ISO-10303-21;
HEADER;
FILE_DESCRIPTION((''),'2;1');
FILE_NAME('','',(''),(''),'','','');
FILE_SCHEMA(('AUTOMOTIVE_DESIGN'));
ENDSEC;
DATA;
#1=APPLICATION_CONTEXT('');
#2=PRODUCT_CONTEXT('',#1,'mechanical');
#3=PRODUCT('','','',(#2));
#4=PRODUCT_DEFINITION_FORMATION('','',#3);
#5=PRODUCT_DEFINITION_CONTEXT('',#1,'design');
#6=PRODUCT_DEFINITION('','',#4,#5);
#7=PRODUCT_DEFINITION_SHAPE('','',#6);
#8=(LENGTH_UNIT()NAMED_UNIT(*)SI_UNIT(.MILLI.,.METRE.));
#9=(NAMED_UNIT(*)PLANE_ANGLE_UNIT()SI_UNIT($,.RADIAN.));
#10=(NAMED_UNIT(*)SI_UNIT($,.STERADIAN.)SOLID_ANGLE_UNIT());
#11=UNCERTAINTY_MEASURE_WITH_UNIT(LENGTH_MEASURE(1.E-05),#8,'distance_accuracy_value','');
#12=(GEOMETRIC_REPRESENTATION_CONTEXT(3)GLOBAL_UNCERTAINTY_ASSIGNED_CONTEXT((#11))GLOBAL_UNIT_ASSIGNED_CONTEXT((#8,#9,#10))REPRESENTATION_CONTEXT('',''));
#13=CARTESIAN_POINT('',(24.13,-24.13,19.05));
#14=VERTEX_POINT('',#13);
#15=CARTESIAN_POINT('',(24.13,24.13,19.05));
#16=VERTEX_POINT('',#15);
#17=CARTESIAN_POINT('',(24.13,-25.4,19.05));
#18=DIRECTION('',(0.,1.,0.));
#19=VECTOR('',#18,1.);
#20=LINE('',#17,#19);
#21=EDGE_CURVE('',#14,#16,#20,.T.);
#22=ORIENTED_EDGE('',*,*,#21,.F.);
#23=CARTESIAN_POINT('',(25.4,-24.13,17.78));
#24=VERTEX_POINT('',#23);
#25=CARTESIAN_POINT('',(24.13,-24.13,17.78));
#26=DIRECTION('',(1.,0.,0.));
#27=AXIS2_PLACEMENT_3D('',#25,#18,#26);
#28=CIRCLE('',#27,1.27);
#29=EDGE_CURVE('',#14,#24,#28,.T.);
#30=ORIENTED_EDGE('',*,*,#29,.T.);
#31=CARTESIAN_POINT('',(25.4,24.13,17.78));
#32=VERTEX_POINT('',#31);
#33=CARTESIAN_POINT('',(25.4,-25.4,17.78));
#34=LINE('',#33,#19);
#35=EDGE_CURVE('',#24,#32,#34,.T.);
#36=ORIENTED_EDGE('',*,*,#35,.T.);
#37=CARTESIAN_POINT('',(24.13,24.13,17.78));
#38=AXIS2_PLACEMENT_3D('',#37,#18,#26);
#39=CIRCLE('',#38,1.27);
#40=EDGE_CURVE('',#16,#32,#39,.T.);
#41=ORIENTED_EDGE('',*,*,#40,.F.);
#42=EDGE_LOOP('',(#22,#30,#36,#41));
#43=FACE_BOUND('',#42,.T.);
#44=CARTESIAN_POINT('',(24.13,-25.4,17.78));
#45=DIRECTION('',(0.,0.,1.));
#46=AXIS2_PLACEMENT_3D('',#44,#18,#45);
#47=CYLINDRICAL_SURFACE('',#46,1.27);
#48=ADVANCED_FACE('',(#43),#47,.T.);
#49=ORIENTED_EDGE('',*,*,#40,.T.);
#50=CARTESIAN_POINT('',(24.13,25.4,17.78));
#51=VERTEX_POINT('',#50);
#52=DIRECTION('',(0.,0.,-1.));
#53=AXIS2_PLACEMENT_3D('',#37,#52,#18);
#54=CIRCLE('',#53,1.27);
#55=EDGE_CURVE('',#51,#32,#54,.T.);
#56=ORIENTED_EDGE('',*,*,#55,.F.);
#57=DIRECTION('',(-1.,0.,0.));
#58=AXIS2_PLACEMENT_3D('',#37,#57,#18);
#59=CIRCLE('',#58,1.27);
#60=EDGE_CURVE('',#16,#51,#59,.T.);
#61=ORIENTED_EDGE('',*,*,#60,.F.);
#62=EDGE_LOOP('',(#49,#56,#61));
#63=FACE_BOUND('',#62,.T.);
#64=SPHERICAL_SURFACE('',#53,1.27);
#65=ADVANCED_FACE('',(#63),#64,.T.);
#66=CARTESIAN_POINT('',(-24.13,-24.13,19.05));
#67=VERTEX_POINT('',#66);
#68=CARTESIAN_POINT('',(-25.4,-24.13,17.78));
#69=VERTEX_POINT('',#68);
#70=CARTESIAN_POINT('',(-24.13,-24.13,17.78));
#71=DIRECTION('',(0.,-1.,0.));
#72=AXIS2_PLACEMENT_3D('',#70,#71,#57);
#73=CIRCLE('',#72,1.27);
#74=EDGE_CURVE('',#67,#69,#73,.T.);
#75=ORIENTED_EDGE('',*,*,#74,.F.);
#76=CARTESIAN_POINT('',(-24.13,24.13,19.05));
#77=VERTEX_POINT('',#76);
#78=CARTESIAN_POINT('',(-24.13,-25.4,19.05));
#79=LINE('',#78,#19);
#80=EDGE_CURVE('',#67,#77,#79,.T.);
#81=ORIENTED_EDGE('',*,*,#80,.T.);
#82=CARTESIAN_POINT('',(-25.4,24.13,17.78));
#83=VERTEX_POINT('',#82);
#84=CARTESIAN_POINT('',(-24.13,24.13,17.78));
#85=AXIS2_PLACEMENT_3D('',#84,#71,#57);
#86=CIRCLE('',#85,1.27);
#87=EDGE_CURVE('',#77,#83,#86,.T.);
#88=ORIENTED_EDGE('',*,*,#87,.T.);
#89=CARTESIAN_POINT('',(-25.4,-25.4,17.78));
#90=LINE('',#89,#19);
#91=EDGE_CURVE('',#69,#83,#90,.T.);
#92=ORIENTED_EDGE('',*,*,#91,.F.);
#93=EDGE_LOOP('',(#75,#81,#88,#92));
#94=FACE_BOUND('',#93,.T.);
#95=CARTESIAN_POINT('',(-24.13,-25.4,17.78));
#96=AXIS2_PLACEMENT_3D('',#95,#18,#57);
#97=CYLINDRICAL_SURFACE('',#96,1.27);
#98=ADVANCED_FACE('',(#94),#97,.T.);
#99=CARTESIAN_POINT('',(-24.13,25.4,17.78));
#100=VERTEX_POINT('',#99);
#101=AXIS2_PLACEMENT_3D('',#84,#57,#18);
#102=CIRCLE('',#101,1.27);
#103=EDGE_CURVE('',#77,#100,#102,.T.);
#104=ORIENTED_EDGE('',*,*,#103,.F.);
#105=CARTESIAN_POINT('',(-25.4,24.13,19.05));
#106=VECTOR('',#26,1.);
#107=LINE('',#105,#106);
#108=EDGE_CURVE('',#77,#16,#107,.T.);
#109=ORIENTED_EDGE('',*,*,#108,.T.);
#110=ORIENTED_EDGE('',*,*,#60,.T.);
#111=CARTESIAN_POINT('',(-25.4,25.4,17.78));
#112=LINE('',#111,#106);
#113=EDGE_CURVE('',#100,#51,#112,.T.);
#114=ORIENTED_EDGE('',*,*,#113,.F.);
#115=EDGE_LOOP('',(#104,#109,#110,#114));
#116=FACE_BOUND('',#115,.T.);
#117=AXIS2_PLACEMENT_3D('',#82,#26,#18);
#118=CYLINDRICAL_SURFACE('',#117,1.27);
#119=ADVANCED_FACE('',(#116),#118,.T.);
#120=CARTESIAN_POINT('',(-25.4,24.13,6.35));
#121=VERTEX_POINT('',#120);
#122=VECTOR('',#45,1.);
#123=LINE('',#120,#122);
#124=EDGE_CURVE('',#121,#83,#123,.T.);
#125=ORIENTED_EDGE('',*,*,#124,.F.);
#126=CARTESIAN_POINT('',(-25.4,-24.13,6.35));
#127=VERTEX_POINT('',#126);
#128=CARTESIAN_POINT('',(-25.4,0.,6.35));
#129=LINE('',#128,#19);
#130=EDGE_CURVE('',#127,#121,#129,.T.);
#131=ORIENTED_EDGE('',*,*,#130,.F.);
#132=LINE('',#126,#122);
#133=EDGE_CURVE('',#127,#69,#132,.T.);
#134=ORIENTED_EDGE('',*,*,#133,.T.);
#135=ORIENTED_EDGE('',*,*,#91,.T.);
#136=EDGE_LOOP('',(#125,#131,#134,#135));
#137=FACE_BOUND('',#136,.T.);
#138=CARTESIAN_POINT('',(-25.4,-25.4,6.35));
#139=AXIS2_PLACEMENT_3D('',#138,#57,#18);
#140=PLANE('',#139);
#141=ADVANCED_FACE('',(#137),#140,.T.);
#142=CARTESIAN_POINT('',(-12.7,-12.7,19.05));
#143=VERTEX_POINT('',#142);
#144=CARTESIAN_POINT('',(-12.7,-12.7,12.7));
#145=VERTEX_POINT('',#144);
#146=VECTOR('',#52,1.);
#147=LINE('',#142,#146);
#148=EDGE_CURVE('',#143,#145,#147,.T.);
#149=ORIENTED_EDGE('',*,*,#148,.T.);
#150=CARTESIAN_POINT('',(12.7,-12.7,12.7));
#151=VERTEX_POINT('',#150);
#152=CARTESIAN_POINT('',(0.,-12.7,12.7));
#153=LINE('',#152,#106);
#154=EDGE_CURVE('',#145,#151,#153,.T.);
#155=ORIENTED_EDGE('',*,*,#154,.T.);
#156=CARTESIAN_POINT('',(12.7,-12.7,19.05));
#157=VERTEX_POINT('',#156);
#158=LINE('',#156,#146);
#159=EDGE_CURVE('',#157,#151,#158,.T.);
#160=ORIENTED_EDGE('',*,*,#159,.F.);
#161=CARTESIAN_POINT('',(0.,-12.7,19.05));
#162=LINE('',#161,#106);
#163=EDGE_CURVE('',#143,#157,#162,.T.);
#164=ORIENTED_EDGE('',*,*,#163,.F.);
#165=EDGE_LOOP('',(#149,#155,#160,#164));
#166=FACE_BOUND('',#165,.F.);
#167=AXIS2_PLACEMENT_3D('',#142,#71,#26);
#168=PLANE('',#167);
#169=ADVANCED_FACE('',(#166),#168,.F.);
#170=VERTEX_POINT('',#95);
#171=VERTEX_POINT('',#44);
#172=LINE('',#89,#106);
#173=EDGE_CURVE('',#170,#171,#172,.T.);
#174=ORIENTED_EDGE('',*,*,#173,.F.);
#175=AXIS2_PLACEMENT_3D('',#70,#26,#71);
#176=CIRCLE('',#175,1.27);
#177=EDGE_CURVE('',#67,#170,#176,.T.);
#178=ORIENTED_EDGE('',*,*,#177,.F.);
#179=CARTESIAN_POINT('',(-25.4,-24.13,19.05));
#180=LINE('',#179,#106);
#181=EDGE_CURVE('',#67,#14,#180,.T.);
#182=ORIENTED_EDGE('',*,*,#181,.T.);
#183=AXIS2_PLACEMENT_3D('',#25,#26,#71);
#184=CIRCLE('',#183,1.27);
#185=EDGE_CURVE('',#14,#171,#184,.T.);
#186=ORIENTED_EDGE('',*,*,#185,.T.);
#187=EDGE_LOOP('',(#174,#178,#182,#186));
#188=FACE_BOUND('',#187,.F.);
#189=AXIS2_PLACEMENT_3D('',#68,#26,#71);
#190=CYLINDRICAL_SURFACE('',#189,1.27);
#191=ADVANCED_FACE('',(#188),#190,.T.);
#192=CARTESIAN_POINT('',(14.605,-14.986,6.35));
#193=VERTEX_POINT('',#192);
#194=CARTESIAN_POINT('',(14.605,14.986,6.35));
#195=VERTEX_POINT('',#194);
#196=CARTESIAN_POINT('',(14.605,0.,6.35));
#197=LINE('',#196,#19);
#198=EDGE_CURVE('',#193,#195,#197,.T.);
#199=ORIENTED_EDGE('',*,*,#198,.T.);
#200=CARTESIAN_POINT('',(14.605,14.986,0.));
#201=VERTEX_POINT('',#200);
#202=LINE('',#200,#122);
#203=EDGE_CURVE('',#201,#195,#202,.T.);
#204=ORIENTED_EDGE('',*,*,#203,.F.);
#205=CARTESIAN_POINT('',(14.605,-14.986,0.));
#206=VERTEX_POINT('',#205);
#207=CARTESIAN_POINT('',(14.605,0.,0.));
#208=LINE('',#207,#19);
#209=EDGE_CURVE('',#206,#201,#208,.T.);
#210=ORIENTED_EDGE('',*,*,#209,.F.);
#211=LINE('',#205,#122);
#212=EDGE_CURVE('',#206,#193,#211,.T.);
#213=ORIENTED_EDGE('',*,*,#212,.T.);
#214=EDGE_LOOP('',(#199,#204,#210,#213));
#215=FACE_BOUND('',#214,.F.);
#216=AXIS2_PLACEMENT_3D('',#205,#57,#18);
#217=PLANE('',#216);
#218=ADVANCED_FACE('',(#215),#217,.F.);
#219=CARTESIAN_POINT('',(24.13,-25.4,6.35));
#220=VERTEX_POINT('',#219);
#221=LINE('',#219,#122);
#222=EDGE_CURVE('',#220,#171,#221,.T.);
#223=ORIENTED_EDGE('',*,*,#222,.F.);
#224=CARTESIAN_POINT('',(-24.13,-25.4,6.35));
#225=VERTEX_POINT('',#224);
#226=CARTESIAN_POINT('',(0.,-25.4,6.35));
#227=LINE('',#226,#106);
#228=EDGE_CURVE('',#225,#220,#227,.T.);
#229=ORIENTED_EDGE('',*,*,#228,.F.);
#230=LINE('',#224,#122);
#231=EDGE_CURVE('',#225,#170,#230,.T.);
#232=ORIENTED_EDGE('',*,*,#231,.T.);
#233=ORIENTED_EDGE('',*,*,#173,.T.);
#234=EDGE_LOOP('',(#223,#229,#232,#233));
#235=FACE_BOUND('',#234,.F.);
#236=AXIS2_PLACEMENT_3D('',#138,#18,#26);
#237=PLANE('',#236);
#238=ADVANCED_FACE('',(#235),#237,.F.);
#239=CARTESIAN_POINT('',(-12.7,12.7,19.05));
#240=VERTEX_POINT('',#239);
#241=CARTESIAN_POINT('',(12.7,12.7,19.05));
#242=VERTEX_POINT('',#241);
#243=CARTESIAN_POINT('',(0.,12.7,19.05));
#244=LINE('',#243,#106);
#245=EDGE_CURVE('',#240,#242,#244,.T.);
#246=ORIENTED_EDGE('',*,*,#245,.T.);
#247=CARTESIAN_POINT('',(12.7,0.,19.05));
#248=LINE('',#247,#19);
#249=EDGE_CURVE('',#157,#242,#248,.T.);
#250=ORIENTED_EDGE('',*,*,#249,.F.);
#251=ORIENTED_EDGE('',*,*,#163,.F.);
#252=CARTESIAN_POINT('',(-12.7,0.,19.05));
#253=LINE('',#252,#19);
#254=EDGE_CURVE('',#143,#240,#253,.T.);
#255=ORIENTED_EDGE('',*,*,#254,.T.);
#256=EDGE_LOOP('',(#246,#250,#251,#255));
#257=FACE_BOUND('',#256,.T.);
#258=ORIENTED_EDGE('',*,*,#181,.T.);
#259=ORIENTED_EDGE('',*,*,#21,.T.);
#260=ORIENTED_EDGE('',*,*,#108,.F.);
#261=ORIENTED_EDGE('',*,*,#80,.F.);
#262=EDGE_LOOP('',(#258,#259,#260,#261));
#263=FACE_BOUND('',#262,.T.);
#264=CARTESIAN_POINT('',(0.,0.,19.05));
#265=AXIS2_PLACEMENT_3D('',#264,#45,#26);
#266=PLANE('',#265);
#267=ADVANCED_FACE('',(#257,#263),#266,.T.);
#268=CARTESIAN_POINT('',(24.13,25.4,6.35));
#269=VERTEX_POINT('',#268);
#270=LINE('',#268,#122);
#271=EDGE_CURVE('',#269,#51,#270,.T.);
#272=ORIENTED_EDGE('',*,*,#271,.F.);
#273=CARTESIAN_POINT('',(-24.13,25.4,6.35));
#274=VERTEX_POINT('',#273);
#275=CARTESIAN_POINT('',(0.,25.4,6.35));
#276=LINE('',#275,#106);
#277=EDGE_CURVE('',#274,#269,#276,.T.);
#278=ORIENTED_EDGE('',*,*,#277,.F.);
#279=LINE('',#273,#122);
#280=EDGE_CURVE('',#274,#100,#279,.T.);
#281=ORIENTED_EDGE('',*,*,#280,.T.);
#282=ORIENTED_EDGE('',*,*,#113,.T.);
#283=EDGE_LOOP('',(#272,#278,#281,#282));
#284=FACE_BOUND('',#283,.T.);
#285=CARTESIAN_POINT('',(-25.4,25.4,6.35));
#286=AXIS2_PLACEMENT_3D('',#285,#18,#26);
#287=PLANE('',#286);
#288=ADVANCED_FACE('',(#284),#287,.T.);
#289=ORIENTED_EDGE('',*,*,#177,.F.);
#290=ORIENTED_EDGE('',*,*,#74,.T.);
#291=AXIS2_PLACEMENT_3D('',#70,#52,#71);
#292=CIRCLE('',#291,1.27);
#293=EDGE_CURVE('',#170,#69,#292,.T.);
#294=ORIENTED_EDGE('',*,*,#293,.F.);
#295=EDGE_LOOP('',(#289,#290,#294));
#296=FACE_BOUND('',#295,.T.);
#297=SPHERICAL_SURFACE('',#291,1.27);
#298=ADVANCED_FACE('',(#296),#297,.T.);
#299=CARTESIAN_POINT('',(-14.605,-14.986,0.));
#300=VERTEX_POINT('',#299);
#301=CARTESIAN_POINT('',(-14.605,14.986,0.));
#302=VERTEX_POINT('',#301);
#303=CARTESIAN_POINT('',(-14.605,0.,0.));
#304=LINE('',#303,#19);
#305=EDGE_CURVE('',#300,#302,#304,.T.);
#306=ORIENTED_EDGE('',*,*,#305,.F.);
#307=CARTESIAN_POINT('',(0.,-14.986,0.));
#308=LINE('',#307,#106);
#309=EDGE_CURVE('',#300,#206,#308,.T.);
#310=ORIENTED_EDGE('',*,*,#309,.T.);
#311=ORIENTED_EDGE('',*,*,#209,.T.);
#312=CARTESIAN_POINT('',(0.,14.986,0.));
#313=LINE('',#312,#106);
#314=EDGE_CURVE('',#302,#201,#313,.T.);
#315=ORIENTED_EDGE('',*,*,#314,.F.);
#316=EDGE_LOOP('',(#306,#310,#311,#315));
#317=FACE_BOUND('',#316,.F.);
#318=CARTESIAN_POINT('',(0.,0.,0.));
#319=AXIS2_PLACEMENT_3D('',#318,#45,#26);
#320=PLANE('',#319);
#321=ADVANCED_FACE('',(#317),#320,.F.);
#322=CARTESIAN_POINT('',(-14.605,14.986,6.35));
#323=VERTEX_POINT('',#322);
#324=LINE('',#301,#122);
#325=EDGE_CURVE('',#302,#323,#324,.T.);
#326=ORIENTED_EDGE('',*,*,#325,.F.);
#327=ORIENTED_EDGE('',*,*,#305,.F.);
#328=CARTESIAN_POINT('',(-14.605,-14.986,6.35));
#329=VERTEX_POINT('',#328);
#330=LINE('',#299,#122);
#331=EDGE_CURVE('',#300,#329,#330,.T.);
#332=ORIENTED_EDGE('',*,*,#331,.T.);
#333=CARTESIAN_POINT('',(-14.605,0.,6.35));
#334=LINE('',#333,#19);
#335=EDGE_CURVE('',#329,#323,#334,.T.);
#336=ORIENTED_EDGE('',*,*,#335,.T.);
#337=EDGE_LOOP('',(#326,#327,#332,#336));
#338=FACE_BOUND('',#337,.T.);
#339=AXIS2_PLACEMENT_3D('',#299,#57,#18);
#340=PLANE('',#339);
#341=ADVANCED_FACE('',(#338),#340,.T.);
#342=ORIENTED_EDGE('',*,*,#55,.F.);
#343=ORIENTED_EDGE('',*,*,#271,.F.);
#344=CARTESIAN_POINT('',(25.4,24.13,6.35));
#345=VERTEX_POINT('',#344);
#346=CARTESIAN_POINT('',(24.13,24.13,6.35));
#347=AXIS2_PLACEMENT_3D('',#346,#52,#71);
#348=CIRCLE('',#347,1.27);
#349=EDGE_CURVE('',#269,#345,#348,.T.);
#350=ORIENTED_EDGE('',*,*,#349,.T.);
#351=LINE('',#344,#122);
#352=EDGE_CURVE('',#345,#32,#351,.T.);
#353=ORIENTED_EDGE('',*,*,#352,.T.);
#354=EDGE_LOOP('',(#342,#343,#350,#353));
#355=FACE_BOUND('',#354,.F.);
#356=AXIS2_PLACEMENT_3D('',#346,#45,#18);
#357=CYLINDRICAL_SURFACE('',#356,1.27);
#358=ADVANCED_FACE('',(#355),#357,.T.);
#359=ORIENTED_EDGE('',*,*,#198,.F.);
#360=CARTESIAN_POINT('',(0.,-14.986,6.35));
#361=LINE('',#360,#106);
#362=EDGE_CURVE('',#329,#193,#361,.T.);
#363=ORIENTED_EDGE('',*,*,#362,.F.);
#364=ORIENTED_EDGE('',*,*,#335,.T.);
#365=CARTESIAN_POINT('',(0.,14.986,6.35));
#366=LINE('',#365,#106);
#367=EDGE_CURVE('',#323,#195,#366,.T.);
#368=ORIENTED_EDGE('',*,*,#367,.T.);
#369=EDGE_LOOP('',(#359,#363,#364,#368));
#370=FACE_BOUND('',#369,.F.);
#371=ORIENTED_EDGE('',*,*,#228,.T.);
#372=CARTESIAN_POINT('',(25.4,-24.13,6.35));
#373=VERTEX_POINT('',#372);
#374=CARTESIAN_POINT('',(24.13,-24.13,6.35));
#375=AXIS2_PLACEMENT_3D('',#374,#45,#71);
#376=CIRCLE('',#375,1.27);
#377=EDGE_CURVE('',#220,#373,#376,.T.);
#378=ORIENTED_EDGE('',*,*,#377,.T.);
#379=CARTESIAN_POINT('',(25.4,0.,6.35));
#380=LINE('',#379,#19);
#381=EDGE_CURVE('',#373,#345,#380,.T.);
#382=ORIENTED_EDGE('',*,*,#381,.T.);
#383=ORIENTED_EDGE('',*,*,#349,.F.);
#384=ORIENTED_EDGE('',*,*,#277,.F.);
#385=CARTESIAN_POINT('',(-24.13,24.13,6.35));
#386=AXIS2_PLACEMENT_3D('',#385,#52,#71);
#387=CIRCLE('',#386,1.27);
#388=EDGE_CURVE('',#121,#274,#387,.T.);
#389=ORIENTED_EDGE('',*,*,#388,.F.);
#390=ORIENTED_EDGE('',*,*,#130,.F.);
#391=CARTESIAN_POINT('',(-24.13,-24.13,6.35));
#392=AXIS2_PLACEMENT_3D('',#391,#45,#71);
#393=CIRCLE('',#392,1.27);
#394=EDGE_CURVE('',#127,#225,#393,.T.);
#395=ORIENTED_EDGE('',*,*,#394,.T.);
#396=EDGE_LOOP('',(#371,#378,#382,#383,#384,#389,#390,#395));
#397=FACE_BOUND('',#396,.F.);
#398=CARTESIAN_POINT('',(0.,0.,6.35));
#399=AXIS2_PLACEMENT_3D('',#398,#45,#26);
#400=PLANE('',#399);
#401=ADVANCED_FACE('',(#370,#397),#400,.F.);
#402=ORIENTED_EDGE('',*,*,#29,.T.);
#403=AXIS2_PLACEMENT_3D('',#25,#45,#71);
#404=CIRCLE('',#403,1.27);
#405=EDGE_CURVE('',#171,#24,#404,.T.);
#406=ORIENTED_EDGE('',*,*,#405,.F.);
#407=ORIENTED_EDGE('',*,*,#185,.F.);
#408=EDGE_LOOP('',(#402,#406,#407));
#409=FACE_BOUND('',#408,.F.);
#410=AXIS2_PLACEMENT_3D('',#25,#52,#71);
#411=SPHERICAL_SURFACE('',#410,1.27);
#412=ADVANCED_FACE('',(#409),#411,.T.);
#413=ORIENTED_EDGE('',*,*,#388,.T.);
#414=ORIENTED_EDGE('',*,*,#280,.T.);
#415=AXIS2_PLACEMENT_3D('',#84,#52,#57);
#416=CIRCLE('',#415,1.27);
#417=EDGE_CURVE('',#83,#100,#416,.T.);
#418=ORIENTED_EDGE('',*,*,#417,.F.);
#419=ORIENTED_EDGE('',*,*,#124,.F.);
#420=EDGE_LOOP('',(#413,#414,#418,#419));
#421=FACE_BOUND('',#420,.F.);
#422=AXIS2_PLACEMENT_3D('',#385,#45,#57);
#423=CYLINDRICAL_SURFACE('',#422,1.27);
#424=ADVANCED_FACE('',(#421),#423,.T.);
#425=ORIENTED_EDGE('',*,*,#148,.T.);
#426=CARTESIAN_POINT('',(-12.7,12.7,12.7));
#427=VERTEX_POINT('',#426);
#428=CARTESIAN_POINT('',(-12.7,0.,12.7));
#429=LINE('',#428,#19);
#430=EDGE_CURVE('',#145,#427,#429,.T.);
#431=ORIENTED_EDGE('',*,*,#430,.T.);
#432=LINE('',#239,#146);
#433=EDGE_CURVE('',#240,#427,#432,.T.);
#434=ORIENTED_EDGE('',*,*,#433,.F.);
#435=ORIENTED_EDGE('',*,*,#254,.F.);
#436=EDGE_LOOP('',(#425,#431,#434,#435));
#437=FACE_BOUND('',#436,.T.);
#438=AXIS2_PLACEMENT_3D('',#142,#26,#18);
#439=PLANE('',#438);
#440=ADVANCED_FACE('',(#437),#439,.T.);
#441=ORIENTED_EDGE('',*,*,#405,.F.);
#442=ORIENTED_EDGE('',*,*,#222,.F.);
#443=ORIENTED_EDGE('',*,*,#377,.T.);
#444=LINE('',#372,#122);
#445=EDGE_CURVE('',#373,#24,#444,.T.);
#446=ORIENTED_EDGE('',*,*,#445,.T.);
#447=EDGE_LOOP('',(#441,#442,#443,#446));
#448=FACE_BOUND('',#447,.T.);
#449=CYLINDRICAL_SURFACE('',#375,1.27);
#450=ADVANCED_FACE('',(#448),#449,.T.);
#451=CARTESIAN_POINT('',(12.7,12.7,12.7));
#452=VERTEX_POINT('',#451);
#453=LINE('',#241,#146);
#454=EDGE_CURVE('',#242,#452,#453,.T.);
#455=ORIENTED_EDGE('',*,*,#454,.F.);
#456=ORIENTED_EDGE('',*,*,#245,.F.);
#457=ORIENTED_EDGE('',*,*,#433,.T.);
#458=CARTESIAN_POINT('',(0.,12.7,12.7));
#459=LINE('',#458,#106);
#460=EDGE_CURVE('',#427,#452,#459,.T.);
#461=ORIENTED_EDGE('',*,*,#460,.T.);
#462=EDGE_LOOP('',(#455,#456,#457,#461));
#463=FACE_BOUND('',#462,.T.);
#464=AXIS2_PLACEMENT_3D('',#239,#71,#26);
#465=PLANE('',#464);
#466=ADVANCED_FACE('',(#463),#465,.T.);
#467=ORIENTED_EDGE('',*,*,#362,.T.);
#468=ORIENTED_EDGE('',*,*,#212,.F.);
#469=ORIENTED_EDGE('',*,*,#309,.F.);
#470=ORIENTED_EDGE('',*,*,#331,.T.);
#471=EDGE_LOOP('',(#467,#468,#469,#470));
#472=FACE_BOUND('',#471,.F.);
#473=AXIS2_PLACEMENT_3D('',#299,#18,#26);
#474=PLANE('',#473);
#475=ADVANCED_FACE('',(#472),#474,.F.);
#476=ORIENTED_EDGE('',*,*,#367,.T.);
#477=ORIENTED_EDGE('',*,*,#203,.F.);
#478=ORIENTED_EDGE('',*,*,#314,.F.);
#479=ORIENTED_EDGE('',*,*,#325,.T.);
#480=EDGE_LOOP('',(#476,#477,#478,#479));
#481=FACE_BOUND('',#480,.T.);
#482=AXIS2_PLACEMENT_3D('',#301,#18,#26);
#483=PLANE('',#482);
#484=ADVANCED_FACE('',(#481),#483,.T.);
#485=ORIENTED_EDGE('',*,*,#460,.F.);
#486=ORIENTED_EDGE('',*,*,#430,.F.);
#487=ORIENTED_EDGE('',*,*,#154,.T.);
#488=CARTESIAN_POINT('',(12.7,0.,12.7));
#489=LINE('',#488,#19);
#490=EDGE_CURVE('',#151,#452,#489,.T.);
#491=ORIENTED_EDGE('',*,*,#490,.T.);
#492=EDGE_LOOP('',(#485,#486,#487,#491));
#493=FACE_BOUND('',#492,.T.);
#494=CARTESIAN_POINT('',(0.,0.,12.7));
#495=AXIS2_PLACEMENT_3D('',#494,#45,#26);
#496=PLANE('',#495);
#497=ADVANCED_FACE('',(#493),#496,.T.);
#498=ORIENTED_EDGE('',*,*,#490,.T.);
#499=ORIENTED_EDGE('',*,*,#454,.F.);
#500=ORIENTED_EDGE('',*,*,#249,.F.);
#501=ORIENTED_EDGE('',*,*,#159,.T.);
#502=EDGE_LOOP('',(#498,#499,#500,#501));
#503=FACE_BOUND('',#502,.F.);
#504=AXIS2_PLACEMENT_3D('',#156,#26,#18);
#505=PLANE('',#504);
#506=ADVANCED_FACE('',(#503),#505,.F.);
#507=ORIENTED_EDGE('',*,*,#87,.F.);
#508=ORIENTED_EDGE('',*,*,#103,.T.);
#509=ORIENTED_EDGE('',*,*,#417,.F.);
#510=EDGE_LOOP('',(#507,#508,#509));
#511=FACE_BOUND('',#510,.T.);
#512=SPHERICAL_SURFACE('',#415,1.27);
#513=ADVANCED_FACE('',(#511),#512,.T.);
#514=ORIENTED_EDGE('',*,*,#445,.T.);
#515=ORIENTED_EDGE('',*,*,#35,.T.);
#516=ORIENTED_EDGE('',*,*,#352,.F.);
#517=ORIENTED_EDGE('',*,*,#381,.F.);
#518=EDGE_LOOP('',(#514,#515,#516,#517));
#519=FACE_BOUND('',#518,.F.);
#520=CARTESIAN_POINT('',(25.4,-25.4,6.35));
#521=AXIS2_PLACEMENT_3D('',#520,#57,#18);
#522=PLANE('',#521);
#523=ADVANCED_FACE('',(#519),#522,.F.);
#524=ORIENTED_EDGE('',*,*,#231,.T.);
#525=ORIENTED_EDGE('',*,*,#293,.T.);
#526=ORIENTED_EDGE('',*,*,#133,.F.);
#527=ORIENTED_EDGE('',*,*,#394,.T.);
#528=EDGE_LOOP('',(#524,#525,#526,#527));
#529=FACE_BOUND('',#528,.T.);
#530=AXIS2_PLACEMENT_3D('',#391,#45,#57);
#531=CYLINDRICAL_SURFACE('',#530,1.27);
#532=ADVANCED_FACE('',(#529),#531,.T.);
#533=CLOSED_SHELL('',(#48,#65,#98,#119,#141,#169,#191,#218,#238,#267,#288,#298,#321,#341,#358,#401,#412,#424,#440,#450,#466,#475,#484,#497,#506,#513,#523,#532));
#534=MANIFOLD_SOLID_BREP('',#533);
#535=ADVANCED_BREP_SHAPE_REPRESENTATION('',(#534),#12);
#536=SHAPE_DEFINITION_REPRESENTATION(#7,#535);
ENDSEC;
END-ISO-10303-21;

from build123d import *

# Parameters (mm, degrees)
F0_W     = 29.21
F0_H     = 29.972
F1_DEPTH = 6.35
F2_W     = 50.8
F2_H     = 50.8
F3_DEPTH = 12.7
F4_W     = 25.4
F4_H     = 25.4
F5_DEPTH = 6.35
F6_R     = 1.27


with BuildPart() as f1:
    # F0 (on Top) → F1 (new body)
    with BuildSketch(Plane.XY):
        Rectangle(F0_W, F0_H)
    extrude(amount=F1_DEPTH)

    # F2 (on face) → F3 (join)
    with BuildSketch(Plane.XY.offset(6.35)):
        Rectangle(F2_W, F2_H)
    extrude(amount=F3_DEPTH)

    # F4 (on face) → F5 (cut)
    with BuildSketch(Plane.XY.offset(19.05)):
        Rectangle(F4_W, F4_H)
    extrude(amount=-F5_DEPTH, mode=Mode.SUBTRACT)

    # F6
    f6_edges = [f1.edges().sort_by_distance(p)[0] for p in [
        (-25.4, -25.4, 12.7),
        (25.4, -25.4, 12.7),
        (25.4, 25.4, 12.7),
        (-25.4, 25.4, 12.7),
        (0, -25.4, 19.05),
        (-25.4, 0, 19.05),
        (0, 25.4, 19.05),
        (25.4, 0, 19.05),
    ]]
    fillet(f6_edges, radius=F6_R)


solid = f1.part
